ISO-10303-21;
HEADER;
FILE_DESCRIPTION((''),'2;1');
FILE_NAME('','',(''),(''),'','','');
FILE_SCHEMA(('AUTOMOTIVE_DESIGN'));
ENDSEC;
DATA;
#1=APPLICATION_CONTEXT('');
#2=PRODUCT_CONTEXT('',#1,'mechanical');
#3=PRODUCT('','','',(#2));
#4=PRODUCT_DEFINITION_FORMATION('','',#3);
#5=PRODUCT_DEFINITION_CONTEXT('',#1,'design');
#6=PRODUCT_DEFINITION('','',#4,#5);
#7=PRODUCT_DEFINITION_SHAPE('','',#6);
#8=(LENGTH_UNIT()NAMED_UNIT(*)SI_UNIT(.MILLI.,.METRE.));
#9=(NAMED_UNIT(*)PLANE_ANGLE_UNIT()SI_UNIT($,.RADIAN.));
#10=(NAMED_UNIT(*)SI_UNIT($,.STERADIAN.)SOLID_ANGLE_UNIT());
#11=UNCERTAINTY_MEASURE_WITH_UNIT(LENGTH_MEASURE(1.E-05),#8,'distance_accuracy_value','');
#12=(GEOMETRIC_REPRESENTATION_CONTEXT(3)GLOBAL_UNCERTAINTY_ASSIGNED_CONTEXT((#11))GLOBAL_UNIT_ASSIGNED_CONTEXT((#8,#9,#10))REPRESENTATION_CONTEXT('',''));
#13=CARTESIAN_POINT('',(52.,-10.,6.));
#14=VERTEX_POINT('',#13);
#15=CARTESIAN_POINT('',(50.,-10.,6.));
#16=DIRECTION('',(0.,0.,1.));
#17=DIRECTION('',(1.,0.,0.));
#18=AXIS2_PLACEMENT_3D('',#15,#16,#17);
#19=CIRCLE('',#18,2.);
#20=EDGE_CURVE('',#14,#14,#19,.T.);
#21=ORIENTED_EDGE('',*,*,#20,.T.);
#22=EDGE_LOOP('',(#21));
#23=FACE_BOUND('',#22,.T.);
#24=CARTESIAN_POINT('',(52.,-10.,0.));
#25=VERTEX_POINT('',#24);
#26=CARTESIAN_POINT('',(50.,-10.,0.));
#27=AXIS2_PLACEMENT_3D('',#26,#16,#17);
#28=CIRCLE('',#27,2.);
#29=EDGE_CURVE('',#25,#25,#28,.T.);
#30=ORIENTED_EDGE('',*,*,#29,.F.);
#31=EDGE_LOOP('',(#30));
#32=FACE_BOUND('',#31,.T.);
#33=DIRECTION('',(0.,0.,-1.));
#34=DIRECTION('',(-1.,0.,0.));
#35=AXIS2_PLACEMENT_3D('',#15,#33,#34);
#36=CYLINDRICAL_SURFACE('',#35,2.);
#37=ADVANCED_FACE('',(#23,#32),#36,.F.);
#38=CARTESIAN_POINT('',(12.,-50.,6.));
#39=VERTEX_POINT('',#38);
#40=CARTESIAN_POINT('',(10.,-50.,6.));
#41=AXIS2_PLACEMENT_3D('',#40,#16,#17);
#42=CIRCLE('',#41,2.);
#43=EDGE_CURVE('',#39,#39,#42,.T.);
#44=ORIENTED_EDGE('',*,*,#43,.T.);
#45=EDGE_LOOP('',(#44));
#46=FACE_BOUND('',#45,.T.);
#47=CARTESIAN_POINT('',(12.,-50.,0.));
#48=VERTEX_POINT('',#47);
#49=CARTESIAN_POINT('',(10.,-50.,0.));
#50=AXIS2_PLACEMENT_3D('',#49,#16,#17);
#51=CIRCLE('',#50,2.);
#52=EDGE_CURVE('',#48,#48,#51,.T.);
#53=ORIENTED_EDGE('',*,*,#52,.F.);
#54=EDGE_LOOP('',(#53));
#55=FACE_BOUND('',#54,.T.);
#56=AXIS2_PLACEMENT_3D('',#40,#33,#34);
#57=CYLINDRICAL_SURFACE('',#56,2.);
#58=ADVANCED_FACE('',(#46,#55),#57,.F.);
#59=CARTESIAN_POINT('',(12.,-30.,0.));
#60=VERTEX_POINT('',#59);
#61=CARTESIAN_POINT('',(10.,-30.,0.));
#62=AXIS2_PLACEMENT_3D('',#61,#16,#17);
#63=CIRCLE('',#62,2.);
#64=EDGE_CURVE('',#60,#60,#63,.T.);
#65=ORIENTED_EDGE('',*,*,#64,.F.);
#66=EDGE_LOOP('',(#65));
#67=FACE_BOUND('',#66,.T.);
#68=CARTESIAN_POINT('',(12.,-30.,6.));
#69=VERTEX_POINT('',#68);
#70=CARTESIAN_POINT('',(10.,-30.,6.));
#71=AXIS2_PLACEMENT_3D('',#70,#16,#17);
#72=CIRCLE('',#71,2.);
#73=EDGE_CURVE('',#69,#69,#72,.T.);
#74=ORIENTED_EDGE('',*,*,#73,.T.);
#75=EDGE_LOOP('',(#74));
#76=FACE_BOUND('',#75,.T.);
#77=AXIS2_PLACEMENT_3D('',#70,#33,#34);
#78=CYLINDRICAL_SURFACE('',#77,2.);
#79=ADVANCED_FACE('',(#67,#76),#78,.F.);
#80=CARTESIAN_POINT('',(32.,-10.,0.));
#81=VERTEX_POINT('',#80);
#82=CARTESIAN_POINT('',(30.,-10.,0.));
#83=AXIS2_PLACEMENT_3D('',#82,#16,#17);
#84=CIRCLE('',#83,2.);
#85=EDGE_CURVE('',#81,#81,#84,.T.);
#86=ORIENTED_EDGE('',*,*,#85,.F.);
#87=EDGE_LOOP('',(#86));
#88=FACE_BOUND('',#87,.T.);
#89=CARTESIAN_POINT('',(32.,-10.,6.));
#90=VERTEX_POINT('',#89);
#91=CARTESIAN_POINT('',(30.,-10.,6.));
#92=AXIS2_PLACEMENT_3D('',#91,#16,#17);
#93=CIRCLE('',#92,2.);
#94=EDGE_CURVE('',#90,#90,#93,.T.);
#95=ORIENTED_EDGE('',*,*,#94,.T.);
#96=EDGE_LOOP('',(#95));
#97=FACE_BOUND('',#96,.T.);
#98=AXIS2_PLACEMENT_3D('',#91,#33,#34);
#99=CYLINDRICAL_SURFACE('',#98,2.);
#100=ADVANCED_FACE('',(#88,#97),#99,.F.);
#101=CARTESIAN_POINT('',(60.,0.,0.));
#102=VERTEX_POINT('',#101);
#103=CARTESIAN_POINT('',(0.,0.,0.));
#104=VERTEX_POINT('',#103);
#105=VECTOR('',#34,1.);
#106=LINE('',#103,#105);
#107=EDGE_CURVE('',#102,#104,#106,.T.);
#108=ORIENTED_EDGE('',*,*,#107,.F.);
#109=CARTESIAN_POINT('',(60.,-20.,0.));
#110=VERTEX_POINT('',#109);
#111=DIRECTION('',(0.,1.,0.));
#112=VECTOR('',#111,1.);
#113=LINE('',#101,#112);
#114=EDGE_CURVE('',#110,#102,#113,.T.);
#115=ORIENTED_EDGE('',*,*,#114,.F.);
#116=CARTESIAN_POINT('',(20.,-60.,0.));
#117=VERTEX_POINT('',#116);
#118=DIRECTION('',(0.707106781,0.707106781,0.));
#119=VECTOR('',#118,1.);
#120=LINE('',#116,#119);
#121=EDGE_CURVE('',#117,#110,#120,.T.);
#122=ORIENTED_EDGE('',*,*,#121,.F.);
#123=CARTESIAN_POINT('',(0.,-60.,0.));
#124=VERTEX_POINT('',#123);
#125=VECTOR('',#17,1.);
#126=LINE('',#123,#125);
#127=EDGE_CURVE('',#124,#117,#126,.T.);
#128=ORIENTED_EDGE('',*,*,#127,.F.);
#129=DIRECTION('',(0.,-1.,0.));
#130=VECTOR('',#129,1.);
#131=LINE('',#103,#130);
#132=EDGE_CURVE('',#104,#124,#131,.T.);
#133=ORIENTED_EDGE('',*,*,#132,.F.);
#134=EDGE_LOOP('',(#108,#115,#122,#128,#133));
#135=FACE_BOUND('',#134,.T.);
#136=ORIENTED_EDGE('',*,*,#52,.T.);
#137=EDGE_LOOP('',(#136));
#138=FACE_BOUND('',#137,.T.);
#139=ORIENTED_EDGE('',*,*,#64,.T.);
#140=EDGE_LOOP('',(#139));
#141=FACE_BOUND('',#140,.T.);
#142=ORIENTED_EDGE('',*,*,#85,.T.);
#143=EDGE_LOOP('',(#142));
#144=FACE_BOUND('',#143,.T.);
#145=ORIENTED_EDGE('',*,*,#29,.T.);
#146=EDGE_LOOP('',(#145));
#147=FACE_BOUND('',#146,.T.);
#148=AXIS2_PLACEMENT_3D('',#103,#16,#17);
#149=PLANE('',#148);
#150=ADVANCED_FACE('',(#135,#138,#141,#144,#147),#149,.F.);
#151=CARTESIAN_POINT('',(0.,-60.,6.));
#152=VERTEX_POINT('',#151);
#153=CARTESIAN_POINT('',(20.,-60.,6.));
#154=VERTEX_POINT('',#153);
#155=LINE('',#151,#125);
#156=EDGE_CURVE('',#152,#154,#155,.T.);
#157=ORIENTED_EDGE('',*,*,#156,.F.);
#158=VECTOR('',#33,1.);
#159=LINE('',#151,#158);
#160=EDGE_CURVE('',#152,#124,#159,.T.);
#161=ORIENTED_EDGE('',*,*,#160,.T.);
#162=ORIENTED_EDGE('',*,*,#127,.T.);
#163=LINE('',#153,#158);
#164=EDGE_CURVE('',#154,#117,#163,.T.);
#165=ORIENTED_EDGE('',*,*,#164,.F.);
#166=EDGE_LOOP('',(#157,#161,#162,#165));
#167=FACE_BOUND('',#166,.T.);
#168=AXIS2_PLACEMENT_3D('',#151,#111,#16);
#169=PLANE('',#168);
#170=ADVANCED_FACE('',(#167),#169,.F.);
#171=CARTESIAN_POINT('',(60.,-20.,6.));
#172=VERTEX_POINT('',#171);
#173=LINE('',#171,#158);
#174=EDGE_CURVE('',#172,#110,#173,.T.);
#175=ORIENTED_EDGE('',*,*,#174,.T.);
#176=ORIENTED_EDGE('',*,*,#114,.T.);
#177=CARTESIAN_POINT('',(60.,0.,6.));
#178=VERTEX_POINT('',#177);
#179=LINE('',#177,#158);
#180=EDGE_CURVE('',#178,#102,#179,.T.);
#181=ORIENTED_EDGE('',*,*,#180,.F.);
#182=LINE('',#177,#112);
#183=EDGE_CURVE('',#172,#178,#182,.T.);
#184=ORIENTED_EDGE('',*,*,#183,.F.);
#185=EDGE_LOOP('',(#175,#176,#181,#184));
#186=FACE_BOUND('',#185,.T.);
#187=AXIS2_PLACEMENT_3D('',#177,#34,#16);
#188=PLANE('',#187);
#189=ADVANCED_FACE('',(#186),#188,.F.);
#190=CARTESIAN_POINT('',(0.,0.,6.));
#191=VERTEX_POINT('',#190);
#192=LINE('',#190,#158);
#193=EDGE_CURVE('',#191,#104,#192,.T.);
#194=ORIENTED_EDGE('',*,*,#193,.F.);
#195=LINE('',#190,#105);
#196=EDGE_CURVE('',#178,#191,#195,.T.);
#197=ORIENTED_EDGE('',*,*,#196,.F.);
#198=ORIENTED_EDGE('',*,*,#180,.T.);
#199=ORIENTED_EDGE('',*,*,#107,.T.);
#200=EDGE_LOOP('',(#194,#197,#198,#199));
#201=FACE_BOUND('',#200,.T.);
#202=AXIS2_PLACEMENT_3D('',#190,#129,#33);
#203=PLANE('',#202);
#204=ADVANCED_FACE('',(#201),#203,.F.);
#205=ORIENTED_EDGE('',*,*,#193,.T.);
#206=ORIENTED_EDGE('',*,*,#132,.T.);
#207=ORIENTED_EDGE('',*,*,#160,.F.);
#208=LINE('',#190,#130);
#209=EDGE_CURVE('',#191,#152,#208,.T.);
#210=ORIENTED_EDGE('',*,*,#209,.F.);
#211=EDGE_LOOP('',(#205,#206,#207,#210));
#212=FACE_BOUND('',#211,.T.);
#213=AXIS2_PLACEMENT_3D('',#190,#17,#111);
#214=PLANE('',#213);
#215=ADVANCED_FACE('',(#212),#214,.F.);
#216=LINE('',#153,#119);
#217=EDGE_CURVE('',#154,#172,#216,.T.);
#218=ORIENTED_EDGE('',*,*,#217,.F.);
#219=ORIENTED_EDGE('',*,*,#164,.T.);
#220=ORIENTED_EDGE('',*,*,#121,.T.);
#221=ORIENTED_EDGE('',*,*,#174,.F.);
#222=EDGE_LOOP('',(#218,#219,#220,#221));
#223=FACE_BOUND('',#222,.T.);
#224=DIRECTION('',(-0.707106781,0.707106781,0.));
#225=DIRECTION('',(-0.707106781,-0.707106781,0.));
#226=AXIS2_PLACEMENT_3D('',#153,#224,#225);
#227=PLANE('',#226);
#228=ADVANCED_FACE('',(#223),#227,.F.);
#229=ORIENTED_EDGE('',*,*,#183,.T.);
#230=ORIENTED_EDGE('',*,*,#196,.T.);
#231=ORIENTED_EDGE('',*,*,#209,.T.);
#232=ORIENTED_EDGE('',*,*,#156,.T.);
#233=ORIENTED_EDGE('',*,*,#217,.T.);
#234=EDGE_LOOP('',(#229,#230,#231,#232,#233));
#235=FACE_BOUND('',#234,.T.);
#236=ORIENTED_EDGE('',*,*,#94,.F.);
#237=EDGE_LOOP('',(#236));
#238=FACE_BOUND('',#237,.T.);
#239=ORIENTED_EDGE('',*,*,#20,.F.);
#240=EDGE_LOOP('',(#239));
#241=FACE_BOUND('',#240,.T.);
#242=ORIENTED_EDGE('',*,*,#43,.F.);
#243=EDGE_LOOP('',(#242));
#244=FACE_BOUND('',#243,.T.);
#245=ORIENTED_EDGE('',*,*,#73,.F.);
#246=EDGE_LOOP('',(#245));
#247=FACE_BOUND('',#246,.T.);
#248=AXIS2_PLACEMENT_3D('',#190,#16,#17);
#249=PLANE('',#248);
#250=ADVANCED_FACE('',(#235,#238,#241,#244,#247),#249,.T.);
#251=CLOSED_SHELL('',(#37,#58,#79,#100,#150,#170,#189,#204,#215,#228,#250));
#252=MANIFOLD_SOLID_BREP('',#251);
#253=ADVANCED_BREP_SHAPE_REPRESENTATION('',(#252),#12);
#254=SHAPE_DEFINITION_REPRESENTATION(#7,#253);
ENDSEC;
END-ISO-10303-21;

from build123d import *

# Parameters (mm, degrees)
SKETCH1_R           = 2
BOSS_EXTRUDE1_DEPTH = 6


with BuildPart() as part:
    # Sketch1 → Boss-Extrude1 (new body)
    with BuildSketch(Plane.XY):
        Polygon((20, -60), (60, -20), (60, 0), (0, 0), (0, -60), align=None)
        with Locations((50, -10)):
            Circle(SKETCH1_R, mode=Mode.SUBTRACT)
        with Locations((30, -10)):
            Circle(SKETCH1_R, mode=Mode.SUBTRACT)
        with Locations((10, -50)):
            Circle(SKETCH1_R, mode=Mode.SUBTRACT)
        with Locations((10, -30)):
            Circle(SKETCH1_R, mode=Mode.SUBTRACT)
    extrude(amount=BOSS_EXTRUDE1_DEPTH)


solid = part.part
